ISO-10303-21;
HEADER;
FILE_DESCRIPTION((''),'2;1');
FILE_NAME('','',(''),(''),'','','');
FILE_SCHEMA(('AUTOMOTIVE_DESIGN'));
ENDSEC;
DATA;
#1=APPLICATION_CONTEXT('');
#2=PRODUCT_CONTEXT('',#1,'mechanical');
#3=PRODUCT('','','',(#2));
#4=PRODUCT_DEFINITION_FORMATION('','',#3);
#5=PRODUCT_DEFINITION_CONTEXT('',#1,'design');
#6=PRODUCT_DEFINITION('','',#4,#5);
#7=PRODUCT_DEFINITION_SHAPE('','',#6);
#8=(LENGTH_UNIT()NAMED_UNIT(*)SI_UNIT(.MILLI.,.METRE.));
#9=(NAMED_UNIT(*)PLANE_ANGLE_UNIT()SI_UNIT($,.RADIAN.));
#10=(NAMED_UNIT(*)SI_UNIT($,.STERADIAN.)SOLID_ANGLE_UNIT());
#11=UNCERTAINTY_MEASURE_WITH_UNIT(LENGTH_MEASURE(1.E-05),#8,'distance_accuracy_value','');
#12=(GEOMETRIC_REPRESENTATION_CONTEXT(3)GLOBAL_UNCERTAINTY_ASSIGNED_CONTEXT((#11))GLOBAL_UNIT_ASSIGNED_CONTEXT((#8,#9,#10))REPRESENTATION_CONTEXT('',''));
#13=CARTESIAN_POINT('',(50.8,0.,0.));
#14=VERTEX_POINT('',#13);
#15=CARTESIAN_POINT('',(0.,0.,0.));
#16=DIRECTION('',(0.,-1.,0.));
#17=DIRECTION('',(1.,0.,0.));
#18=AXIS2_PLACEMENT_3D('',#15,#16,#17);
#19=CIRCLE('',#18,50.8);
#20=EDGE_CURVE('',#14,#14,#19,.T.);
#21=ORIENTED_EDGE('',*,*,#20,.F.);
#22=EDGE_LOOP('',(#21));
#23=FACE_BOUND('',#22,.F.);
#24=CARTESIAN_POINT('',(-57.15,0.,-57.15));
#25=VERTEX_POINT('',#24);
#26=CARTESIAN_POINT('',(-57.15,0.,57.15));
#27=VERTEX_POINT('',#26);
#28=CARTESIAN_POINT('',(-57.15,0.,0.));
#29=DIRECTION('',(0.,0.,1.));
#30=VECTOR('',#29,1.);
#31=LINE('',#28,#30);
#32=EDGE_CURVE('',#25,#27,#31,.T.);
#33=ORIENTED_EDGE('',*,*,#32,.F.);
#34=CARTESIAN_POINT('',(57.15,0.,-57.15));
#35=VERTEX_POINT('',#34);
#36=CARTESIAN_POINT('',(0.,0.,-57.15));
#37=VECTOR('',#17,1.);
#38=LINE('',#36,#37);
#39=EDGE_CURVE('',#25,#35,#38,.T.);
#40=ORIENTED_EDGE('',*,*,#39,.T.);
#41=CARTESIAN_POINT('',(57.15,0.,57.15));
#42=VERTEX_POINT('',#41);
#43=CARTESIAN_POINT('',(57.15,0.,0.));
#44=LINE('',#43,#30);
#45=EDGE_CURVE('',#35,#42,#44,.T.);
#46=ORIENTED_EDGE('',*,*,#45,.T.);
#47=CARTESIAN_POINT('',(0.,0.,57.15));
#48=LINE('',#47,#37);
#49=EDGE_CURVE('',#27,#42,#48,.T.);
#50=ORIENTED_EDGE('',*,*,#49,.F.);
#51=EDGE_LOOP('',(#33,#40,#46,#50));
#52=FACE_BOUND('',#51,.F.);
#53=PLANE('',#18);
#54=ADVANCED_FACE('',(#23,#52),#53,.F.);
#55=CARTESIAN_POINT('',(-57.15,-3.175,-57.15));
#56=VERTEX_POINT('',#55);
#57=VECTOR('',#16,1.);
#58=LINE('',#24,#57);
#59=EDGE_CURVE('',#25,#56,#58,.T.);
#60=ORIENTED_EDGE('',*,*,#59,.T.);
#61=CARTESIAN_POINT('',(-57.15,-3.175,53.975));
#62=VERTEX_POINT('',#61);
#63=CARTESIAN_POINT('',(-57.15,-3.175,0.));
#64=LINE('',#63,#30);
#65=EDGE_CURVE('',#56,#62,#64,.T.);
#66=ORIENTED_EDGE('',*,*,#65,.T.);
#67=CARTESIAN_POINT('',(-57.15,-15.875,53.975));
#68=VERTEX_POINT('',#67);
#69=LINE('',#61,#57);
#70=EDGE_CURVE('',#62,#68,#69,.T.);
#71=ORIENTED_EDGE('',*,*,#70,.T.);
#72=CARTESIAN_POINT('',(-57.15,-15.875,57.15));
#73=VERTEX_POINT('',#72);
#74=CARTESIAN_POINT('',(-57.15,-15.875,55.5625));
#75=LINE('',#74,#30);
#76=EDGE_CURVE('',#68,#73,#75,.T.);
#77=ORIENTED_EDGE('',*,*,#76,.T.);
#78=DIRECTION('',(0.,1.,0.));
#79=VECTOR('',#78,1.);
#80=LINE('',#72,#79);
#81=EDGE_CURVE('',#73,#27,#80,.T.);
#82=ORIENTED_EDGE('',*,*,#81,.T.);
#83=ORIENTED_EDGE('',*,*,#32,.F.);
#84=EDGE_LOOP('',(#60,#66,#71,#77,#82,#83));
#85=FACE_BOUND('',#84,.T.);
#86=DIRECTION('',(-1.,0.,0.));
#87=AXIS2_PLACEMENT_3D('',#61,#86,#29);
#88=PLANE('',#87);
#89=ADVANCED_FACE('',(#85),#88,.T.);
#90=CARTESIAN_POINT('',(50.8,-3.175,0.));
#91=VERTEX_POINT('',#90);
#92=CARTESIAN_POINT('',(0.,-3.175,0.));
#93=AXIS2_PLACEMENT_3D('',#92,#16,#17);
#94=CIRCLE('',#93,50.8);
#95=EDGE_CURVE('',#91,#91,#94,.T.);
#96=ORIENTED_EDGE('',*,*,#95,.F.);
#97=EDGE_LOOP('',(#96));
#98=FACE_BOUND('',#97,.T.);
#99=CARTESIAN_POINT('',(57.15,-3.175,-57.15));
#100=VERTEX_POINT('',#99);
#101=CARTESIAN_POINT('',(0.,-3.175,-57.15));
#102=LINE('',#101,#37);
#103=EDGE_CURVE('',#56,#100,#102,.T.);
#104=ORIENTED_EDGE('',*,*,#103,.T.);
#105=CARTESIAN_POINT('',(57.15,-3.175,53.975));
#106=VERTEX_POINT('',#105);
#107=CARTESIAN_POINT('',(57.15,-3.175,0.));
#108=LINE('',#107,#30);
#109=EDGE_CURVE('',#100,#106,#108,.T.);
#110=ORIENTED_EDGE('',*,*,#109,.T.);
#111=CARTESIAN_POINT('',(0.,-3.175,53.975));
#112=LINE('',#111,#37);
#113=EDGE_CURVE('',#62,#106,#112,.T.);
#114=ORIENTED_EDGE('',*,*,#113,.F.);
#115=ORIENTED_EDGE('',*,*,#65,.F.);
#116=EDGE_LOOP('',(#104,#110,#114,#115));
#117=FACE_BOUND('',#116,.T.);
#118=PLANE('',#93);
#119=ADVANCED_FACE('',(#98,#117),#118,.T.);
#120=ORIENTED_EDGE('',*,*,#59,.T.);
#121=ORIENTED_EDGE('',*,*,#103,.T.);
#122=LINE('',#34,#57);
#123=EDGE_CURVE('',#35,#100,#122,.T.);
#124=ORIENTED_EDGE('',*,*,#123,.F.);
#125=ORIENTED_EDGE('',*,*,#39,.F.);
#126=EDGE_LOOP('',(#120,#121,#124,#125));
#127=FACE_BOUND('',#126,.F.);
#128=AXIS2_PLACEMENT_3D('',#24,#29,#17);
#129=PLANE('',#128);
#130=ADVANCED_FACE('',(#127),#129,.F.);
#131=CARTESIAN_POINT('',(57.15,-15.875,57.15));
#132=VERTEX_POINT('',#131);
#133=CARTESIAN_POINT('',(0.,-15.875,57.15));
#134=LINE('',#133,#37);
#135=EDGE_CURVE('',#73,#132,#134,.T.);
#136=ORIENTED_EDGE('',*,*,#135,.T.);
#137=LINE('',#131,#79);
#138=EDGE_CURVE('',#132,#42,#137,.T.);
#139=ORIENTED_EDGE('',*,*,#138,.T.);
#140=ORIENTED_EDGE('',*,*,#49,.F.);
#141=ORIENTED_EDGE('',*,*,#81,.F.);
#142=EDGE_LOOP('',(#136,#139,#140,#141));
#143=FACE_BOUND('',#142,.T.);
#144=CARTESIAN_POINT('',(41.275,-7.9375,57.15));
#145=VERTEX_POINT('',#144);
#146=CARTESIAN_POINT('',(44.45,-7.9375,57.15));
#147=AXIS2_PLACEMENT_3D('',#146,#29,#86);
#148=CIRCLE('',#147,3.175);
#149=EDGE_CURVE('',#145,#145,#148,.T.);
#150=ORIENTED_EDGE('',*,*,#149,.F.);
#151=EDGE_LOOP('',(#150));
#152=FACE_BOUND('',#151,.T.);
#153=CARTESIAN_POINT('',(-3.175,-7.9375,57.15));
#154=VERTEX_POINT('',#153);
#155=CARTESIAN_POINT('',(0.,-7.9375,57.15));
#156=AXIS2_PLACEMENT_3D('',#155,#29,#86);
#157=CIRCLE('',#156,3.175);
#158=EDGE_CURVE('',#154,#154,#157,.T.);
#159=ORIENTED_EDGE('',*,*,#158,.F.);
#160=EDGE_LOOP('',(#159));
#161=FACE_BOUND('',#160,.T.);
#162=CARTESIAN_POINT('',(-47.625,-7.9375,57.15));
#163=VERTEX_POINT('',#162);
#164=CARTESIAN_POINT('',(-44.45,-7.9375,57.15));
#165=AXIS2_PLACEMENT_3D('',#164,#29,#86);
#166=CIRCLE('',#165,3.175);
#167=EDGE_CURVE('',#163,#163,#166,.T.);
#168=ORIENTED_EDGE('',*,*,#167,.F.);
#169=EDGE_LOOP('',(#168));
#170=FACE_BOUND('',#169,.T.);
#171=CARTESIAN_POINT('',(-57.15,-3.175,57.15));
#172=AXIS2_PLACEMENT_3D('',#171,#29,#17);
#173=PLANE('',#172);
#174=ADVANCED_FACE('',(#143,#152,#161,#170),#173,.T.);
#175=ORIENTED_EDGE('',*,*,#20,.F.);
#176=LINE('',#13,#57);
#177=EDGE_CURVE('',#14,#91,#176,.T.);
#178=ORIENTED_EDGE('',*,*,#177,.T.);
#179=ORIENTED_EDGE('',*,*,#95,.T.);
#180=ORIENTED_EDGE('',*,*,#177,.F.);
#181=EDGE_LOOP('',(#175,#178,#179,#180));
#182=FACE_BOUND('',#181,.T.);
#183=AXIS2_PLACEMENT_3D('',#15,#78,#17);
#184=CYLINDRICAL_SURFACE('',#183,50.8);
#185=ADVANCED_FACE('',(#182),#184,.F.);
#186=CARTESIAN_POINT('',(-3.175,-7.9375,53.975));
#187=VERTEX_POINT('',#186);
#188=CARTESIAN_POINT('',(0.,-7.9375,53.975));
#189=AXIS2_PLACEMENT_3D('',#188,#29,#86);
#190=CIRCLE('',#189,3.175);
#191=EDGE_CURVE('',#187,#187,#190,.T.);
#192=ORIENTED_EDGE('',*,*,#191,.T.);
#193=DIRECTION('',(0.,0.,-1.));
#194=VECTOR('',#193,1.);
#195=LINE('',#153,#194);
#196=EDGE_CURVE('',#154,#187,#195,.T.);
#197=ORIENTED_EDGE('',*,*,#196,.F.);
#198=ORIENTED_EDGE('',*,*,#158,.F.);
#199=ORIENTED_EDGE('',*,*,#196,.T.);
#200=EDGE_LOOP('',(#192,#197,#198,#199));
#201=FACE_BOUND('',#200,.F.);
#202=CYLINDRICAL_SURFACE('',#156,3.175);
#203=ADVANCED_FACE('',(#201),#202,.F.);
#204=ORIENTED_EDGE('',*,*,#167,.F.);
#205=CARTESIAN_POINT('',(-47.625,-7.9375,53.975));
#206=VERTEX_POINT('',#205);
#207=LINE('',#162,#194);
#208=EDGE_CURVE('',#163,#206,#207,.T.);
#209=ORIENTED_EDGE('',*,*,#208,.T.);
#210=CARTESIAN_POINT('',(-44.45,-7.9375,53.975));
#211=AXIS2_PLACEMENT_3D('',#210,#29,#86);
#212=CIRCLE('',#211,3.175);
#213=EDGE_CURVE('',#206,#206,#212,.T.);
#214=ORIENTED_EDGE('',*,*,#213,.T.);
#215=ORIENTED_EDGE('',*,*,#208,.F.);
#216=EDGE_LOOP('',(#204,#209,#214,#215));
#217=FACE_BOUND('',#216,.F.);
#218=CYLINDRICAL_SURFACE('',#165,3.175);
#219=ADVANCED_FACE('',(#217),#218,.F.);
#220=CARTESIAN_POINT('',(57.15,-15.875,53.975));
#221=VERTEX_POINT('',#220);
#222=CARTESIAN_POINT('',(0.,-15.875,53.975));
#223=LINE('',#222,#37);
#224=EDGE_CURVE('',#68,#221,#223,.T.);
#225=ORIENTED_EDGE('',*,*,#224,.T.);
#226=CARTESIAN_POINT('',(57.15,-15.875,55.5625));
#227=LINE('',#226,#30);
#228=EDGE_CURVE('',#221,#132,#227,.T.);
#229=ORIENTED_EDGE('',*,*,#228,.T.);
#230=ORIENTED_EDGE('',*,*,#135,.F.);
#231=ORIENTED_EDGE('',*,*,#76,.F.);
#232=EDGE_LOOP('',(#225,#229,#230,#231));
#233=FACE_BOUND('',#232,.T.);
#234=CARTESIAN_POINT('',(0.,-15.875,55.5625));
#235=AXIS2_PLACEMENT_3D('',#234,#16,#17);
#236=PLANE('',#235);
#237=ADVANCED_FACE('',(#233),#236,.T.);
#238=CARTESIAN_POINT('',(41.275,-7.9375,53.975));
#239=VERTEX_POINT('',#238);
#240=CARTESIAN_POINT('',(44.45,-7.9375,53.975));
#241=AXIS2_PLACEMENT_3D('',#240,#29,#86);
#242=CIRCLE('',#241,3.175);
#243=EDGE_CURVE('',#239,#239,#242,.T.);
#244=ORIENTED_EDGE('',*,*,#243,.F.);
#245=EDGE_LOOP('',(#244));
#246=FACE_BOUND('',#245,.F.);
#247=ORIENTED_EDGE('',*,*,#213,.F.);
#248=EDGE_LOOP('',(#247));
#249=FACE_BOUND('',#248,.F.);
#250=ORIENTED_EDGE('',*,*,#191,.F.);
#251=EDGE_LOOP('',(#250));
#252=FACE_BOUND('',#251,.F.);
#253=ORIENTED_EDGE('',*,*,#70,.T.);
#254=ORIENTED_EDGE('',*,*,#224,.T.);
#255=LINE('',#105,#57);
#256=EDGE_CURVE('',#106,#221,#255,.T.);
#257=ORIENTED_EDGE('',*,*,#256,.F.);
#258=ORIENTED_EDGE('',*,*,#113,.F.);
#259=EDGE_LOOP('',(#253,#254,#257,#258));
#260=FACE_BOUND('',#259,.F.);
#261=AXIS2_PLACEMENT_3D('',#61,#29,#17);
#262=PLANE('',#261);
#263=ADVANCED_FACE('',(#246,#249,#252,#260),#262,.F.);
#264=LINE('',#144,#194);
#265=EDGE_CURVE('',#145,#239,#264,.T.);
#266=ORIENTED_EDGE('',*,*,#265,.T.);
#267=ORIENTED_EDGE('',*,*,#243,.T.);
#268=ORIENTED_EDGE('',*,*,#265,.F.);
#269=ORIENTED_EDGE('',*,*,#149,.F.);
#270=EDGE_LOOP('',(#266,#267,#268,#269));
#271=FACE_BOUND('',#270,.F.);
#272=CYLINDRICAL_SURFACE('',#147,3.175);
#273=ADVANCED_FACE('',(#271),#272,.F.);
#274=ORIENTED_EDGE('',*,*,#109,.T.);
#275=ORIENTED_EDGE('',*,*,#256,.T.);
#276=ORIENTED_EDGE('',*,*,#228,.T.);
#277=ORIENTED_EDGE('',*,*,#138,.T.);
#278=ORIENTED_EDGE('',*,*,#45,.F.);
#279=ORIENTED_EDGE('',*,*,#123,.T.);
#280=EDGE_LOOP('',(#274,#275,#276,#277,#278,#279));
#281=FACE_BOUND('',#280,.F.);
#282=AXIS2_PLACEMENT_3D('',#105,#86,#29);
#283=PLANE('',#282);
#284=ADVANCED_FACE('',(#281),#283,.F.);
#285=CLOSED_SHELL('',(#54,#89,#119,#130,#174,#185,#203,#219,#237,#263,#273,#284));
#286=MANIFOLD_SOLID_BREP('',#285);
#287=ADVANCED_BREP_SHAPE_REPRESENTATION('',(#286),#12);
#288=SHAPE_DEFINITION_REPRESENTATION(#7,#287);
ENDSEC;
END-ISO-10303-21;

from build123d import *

# Parameters (mm, degrees)
F0_W     = 114.3
F0_H     = 114.3
F0_R     = 50.8
F1_DEPTH = 3.175
F2_W     = 114.3
F2_H     = 3.175
F3_DEPTH = 12.7
F5_DEPTH = 25.4


with BuildPart() as f1:
    # F0 (on Front) → F1 (new body)
    with BuildSketch(Plane.XZ):
        Rectangle(F0_W, F0_H)
        Circle(F0_R, mode=Mode.SUBTRACT)
    extrude(amount=F1_DEPTH)

    # F2 (on face) → F3 (join)
    with BuildSketch(Plane.XZ.offset(3.175)):
        with Locations((0, 55.5625)):
            Rectangle(F2_W, F2_H)
    extrude(amount=F3_DEPTH)

    # F4 (on face) → F5 (cut)
    with BuildSketch(Plane.XY.offset(57.15)):
        with BuildLine():
            ThreePointArc((-41.275, -7.9375), (-44.45, -4.7625), (-47.625, -7.9375))
            Line((-47.625, -7.9375), (-41.275, -7.9375))
        make_face()
        with BuildLine():
            ThreePointArc((47.625, -7.9375), (44.45, -4.7625), (41.275, -7.9375))
            Line((41.275, -7.9375), (47.625, -7.9375))
        make_face()
        with BuildLine():
            Line((47.625, -7.9375), (41.275, -7.9375))
            ThreePointArc((41.275, -7.9375), (44.45, -11.1125), (47.625, -7.9375))
        make_face()
        with BuildLine():
            ThreePointArc((3.175, -7.9375), (0, -4.7625), (-3.175, -7.9375))
            Line((-3.175, -7.9375), (3.175, -7.9375))
        make_face()
        with BuildLine():
            Line((3.175, -7.9375), (-3.175, -7.9375))
            ThreePointArc((-3.175, -7.9375), (0, -11.1125), (3.175, -7.9375))
        make_face()
        with BuildLine():
            Line((-41.275, -7.9375), (-47.625, -7.9375))
            ThreePointArc((-47.625, -7.9375), (-44.45, -11.1125), (-41.275, -7.9375))
        make_face()
    extrude(amount=-F5_DEPTH, mode=Mode.SUBTRACT)


solid = f1.part
